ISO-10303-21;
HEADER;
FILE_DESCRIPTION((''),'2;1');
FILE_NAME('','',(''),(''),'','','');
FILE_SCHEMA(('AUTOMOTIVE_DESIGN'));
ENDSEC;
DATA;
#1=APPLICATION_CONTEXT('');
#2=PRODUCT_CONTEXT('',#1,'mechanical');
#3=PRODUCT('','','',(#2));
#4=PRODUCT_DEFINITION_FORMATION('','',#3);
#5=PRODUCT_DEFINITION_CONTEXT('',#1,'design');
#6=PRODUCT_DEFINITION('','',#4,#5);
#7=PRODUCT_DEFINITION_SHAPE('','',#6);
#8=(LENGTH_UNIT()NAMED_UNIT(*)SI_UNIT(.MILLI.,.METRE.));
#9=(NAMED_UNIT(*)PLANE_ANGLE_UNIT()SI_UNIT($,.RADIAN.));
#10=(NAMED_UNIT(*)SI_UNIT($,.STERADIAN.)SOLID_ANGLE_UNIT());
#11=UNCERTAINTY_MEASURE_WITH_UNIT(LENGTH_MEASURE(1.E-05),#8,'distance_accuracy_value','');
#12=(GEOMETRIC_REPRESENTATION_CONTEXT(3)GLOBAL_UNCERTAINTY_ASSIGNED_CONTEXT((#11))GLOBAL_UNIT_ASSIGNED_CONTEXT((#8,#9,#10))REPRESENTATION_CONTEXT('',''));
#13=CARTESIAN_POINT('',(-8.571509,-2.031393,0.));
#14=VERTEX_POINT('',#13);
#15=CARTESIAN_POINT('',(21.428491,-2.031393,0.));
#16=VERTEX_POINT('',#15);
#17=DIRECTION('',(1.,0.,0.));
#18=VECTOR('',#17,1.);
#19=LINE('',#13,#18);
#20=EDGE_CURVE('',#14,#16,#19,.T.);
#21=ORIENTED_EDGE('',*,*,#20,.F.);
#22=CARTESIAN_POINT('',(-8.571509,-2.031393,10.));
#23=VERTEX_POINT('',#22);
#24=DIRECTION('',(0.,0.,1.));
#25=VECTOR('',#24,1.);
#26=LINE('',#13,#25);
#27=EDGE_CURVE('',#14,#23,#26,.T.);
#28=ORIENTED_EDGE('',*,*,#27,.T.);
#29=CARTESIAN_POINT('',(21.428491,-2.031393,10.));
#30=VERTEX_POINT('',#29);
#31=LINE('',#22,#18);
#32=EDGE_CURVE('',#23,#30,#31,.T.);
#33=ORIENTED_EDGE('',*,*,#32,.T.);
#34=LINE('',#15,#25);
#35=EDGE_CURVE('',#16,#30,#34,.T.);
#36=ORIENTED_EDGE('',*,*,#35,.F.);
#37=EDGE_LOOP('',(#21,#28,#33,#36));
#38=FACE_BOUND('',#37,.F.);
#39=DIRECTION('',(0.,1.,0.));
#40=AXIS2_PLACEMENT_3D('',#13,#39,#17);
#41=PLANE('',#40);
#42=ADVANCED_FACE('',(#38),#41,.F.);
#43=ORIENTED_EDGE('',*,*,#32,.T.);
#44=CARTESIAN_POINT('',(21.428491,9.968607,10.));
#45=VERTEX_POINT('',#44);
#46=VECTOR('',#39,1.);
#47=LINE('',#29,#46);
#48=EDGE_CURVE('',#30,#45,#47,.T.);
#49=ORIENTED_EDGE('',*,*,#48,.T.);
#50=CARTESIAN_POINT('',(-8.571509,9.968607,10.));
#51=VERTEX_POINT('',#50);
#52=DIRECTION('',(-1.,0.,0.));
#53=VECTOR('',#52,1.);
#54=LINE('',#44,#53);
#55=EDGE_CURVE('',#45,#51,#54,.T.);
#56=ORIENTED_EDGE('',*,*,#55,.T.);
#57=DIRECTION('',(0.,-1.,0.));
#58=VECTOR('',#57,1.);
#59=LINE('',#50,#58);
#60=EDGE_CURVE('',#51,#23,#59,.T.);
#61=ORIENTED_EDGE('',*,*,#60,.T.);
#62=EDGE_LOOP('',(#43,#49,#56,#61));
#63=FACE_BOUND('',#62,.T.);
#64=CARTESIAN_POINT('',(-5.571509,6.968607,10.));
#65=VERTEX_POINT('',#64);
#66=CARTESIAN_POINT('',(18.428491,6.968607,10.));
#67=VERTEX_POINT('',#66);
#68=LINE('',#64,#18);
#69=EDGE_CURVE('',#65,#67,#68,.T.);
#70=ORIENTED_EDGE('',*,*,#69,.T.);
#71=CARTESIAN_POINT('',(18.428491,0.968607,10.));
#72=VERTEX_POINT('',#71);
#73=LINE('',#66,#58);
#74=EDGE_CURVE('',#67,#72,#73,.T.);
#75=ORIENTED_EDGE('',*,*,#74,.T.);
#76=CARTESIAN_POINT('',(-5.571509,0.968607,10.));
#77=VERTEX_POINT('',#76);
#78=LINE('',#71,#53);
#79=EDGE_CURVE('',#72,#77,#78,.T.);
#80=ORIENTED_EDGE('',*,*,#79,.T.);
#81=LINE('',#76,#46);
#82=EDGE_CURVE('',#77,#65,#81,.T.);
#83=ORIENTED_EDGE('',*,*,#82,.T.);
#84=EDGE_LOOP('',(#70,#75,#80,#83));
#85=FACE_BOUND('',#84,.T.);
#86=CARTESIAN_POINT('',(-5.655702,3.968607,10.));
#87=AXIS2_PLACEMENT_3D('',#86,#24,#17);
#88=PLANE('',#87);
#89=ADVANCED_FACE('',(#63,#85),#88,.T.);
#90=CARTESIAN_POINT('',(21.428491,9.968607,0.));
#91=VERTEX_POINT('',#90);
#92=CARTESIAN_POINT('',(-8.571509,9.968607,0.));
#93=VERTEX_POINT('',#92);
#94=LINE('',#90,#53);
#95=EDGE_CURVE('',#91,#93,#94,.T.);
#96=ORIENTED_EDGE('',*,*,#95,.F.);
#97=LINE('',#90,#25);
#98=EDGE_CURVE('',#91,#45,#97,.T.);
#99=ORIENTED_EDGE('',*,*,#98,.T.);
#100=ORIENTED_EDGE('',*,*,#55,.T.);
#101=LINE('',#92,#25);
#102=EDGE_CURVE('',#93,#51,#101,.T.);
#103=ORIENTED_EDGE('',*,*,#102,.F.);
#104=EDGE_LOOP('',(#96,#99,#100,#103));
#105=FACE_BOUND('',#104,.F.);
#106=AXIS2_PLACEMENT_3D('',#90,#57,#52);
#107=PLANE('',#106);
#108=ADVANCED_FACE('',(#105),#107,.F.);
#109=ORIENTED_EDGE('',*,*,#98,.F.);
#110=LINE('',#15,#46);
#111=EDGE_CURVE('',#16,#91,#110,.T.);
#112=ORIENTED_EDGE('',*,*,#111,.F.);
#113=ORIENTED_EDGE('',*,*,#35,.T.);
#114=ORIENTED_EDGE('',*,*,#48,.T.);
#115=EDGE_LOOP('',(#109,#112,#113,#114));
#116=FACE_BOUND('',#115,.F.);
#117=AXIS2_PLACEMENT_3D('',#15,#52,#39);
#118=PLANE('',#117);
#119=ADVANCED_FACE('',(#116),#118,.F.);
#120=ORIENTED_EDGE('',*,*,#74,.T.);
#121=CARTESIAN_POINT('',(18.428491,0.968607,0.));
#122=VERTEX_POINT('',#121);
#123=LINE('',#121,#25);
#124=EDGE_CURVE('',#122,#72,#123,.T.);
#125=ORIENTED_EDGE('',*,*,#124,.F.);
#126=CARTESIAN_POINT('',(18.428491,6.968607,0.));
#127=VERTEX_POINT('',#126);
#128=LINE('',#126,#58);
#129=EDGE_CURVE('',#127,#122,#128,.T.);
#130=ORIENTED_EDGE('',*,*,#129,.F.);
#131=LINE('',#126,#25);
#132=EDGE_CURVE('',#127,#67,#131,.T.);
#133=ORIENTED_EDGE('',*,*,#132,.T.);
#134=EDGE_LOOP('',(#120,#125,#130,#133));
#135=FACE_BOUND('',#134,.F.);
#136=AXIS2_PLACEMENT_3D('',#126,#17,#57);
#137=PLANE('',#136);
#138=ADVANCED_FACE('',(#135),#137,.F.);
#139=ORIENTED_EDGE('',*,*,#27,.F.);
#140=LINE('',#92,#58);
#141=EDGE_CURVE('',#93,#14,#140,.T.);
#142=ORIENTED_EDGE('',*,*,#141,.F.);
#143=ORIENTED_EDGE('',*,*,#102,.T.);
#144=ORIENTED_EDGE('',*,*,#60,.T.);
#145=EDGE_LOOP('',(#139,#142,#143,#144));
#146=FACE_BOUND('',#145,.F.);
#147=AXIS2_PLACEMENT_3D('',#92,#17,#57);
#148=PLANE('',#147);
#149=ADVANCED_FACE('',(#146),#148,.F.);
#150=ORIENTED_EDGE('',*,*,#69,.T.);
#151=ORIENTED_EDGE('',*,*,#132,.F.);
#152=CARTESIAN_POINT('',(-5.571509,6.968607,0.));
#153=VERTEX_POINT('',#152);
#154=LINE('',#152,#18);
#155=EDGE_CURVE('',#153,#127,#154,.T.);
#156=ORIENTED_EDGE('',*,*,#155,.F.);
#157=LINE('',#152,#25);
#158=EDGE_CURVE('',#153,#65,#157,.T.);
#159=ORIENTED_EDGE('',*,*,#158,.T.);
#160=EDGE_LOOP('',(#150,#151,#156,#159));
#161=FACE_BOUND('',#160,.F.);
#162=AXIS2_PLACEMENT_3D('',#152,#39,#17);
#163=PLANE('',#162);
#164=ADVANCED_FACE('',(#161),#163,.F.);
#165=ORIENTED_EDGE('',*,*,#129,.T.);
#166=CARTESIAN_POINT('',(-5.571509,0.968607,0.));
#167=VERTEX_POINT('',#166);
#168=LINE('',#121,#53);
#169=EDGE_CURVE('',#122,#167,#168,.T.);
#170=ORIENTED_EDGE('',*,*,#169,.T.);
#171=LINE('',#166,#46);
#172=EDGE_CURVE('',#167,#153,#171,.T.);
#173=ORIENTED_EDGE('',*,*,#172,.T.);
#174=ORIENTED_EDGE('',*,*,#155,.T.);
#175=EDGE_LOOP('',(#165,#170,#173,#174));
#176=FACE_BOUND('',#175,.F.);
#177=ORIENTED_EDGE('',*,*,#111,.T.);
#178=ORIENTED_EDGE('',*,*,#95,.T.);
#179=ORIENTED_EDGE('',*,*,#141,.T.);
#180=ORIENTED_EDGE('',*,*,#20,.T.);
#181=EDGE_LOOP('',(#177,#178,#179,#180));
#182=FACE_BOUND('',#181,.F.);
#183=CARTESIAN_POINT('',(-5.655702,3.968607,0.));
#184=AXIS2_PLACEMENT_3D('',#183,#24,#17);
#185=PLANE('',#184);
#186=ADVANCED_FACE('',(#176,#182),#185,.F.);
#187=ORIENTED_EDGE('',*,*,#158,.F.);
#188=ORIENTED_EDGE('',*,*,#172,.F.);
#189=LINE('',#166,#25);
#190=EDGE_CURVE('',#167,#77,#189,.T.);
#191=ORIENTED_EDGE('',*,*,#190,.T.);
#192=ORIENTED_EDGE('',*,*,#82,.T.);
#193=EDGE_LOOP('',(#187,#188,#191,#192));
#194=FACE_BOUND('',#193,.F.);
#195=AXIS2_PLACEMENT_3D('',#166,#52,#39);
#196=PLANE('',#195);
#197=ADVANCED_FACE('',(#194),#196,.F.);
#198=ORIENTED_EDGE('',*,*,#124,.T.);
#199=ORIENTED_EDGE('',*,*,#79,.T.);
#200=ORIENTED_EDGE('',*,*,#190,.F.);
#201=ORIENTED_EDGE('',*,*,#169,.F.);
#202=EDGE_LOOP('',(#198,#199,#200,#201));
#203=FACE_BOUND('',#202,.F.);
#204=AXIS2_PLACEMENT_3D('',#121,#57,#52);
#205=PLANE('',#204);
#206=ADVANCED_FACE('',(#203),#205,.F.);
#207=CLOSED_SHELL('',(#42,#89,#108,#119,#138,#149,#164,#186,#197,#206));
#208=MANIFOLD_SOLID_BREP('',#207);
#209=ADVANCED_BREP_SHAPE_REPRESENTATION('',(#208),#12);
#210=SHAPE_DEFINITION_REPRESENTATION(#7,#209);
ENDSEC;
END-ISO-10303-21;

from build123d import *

# Parameters (mm, degrees)
F1_DEPTH = 10


with BuildPart() as f1:
    # F0 (on Top) → F1 (new body)
    with BuildSketch(Plane.XY):
        Polygon((-1.071509, 6.968607), (-8.571509, 9.968607), (-8.571509, -2.031393), (-1.071509, 0.968607), (-5.571509, 0.968607), (-5.571509, 6.968607), align=None)
        Polygon((21.428491, 9.968607), (-8.571509, 9.968607), (-1.071509, 6.968607), (13.928491, 6.968607), align=None)
        Polygon((21.428491, -2.031393), (21.428491, 9.968607), (13.928491, 6.968607), (18.428491, 6.968607), (18.428491, 0.968607), (13.928491, 0.968607), align=None)
        Polygon((-1.071509, 0.968607), (-8.571509, -2.031393), (21.428491, -2.031393), (13.928491, 0.968607), align=None)
    extrude(amount=F1_DEPTH)


solid = f1.part
